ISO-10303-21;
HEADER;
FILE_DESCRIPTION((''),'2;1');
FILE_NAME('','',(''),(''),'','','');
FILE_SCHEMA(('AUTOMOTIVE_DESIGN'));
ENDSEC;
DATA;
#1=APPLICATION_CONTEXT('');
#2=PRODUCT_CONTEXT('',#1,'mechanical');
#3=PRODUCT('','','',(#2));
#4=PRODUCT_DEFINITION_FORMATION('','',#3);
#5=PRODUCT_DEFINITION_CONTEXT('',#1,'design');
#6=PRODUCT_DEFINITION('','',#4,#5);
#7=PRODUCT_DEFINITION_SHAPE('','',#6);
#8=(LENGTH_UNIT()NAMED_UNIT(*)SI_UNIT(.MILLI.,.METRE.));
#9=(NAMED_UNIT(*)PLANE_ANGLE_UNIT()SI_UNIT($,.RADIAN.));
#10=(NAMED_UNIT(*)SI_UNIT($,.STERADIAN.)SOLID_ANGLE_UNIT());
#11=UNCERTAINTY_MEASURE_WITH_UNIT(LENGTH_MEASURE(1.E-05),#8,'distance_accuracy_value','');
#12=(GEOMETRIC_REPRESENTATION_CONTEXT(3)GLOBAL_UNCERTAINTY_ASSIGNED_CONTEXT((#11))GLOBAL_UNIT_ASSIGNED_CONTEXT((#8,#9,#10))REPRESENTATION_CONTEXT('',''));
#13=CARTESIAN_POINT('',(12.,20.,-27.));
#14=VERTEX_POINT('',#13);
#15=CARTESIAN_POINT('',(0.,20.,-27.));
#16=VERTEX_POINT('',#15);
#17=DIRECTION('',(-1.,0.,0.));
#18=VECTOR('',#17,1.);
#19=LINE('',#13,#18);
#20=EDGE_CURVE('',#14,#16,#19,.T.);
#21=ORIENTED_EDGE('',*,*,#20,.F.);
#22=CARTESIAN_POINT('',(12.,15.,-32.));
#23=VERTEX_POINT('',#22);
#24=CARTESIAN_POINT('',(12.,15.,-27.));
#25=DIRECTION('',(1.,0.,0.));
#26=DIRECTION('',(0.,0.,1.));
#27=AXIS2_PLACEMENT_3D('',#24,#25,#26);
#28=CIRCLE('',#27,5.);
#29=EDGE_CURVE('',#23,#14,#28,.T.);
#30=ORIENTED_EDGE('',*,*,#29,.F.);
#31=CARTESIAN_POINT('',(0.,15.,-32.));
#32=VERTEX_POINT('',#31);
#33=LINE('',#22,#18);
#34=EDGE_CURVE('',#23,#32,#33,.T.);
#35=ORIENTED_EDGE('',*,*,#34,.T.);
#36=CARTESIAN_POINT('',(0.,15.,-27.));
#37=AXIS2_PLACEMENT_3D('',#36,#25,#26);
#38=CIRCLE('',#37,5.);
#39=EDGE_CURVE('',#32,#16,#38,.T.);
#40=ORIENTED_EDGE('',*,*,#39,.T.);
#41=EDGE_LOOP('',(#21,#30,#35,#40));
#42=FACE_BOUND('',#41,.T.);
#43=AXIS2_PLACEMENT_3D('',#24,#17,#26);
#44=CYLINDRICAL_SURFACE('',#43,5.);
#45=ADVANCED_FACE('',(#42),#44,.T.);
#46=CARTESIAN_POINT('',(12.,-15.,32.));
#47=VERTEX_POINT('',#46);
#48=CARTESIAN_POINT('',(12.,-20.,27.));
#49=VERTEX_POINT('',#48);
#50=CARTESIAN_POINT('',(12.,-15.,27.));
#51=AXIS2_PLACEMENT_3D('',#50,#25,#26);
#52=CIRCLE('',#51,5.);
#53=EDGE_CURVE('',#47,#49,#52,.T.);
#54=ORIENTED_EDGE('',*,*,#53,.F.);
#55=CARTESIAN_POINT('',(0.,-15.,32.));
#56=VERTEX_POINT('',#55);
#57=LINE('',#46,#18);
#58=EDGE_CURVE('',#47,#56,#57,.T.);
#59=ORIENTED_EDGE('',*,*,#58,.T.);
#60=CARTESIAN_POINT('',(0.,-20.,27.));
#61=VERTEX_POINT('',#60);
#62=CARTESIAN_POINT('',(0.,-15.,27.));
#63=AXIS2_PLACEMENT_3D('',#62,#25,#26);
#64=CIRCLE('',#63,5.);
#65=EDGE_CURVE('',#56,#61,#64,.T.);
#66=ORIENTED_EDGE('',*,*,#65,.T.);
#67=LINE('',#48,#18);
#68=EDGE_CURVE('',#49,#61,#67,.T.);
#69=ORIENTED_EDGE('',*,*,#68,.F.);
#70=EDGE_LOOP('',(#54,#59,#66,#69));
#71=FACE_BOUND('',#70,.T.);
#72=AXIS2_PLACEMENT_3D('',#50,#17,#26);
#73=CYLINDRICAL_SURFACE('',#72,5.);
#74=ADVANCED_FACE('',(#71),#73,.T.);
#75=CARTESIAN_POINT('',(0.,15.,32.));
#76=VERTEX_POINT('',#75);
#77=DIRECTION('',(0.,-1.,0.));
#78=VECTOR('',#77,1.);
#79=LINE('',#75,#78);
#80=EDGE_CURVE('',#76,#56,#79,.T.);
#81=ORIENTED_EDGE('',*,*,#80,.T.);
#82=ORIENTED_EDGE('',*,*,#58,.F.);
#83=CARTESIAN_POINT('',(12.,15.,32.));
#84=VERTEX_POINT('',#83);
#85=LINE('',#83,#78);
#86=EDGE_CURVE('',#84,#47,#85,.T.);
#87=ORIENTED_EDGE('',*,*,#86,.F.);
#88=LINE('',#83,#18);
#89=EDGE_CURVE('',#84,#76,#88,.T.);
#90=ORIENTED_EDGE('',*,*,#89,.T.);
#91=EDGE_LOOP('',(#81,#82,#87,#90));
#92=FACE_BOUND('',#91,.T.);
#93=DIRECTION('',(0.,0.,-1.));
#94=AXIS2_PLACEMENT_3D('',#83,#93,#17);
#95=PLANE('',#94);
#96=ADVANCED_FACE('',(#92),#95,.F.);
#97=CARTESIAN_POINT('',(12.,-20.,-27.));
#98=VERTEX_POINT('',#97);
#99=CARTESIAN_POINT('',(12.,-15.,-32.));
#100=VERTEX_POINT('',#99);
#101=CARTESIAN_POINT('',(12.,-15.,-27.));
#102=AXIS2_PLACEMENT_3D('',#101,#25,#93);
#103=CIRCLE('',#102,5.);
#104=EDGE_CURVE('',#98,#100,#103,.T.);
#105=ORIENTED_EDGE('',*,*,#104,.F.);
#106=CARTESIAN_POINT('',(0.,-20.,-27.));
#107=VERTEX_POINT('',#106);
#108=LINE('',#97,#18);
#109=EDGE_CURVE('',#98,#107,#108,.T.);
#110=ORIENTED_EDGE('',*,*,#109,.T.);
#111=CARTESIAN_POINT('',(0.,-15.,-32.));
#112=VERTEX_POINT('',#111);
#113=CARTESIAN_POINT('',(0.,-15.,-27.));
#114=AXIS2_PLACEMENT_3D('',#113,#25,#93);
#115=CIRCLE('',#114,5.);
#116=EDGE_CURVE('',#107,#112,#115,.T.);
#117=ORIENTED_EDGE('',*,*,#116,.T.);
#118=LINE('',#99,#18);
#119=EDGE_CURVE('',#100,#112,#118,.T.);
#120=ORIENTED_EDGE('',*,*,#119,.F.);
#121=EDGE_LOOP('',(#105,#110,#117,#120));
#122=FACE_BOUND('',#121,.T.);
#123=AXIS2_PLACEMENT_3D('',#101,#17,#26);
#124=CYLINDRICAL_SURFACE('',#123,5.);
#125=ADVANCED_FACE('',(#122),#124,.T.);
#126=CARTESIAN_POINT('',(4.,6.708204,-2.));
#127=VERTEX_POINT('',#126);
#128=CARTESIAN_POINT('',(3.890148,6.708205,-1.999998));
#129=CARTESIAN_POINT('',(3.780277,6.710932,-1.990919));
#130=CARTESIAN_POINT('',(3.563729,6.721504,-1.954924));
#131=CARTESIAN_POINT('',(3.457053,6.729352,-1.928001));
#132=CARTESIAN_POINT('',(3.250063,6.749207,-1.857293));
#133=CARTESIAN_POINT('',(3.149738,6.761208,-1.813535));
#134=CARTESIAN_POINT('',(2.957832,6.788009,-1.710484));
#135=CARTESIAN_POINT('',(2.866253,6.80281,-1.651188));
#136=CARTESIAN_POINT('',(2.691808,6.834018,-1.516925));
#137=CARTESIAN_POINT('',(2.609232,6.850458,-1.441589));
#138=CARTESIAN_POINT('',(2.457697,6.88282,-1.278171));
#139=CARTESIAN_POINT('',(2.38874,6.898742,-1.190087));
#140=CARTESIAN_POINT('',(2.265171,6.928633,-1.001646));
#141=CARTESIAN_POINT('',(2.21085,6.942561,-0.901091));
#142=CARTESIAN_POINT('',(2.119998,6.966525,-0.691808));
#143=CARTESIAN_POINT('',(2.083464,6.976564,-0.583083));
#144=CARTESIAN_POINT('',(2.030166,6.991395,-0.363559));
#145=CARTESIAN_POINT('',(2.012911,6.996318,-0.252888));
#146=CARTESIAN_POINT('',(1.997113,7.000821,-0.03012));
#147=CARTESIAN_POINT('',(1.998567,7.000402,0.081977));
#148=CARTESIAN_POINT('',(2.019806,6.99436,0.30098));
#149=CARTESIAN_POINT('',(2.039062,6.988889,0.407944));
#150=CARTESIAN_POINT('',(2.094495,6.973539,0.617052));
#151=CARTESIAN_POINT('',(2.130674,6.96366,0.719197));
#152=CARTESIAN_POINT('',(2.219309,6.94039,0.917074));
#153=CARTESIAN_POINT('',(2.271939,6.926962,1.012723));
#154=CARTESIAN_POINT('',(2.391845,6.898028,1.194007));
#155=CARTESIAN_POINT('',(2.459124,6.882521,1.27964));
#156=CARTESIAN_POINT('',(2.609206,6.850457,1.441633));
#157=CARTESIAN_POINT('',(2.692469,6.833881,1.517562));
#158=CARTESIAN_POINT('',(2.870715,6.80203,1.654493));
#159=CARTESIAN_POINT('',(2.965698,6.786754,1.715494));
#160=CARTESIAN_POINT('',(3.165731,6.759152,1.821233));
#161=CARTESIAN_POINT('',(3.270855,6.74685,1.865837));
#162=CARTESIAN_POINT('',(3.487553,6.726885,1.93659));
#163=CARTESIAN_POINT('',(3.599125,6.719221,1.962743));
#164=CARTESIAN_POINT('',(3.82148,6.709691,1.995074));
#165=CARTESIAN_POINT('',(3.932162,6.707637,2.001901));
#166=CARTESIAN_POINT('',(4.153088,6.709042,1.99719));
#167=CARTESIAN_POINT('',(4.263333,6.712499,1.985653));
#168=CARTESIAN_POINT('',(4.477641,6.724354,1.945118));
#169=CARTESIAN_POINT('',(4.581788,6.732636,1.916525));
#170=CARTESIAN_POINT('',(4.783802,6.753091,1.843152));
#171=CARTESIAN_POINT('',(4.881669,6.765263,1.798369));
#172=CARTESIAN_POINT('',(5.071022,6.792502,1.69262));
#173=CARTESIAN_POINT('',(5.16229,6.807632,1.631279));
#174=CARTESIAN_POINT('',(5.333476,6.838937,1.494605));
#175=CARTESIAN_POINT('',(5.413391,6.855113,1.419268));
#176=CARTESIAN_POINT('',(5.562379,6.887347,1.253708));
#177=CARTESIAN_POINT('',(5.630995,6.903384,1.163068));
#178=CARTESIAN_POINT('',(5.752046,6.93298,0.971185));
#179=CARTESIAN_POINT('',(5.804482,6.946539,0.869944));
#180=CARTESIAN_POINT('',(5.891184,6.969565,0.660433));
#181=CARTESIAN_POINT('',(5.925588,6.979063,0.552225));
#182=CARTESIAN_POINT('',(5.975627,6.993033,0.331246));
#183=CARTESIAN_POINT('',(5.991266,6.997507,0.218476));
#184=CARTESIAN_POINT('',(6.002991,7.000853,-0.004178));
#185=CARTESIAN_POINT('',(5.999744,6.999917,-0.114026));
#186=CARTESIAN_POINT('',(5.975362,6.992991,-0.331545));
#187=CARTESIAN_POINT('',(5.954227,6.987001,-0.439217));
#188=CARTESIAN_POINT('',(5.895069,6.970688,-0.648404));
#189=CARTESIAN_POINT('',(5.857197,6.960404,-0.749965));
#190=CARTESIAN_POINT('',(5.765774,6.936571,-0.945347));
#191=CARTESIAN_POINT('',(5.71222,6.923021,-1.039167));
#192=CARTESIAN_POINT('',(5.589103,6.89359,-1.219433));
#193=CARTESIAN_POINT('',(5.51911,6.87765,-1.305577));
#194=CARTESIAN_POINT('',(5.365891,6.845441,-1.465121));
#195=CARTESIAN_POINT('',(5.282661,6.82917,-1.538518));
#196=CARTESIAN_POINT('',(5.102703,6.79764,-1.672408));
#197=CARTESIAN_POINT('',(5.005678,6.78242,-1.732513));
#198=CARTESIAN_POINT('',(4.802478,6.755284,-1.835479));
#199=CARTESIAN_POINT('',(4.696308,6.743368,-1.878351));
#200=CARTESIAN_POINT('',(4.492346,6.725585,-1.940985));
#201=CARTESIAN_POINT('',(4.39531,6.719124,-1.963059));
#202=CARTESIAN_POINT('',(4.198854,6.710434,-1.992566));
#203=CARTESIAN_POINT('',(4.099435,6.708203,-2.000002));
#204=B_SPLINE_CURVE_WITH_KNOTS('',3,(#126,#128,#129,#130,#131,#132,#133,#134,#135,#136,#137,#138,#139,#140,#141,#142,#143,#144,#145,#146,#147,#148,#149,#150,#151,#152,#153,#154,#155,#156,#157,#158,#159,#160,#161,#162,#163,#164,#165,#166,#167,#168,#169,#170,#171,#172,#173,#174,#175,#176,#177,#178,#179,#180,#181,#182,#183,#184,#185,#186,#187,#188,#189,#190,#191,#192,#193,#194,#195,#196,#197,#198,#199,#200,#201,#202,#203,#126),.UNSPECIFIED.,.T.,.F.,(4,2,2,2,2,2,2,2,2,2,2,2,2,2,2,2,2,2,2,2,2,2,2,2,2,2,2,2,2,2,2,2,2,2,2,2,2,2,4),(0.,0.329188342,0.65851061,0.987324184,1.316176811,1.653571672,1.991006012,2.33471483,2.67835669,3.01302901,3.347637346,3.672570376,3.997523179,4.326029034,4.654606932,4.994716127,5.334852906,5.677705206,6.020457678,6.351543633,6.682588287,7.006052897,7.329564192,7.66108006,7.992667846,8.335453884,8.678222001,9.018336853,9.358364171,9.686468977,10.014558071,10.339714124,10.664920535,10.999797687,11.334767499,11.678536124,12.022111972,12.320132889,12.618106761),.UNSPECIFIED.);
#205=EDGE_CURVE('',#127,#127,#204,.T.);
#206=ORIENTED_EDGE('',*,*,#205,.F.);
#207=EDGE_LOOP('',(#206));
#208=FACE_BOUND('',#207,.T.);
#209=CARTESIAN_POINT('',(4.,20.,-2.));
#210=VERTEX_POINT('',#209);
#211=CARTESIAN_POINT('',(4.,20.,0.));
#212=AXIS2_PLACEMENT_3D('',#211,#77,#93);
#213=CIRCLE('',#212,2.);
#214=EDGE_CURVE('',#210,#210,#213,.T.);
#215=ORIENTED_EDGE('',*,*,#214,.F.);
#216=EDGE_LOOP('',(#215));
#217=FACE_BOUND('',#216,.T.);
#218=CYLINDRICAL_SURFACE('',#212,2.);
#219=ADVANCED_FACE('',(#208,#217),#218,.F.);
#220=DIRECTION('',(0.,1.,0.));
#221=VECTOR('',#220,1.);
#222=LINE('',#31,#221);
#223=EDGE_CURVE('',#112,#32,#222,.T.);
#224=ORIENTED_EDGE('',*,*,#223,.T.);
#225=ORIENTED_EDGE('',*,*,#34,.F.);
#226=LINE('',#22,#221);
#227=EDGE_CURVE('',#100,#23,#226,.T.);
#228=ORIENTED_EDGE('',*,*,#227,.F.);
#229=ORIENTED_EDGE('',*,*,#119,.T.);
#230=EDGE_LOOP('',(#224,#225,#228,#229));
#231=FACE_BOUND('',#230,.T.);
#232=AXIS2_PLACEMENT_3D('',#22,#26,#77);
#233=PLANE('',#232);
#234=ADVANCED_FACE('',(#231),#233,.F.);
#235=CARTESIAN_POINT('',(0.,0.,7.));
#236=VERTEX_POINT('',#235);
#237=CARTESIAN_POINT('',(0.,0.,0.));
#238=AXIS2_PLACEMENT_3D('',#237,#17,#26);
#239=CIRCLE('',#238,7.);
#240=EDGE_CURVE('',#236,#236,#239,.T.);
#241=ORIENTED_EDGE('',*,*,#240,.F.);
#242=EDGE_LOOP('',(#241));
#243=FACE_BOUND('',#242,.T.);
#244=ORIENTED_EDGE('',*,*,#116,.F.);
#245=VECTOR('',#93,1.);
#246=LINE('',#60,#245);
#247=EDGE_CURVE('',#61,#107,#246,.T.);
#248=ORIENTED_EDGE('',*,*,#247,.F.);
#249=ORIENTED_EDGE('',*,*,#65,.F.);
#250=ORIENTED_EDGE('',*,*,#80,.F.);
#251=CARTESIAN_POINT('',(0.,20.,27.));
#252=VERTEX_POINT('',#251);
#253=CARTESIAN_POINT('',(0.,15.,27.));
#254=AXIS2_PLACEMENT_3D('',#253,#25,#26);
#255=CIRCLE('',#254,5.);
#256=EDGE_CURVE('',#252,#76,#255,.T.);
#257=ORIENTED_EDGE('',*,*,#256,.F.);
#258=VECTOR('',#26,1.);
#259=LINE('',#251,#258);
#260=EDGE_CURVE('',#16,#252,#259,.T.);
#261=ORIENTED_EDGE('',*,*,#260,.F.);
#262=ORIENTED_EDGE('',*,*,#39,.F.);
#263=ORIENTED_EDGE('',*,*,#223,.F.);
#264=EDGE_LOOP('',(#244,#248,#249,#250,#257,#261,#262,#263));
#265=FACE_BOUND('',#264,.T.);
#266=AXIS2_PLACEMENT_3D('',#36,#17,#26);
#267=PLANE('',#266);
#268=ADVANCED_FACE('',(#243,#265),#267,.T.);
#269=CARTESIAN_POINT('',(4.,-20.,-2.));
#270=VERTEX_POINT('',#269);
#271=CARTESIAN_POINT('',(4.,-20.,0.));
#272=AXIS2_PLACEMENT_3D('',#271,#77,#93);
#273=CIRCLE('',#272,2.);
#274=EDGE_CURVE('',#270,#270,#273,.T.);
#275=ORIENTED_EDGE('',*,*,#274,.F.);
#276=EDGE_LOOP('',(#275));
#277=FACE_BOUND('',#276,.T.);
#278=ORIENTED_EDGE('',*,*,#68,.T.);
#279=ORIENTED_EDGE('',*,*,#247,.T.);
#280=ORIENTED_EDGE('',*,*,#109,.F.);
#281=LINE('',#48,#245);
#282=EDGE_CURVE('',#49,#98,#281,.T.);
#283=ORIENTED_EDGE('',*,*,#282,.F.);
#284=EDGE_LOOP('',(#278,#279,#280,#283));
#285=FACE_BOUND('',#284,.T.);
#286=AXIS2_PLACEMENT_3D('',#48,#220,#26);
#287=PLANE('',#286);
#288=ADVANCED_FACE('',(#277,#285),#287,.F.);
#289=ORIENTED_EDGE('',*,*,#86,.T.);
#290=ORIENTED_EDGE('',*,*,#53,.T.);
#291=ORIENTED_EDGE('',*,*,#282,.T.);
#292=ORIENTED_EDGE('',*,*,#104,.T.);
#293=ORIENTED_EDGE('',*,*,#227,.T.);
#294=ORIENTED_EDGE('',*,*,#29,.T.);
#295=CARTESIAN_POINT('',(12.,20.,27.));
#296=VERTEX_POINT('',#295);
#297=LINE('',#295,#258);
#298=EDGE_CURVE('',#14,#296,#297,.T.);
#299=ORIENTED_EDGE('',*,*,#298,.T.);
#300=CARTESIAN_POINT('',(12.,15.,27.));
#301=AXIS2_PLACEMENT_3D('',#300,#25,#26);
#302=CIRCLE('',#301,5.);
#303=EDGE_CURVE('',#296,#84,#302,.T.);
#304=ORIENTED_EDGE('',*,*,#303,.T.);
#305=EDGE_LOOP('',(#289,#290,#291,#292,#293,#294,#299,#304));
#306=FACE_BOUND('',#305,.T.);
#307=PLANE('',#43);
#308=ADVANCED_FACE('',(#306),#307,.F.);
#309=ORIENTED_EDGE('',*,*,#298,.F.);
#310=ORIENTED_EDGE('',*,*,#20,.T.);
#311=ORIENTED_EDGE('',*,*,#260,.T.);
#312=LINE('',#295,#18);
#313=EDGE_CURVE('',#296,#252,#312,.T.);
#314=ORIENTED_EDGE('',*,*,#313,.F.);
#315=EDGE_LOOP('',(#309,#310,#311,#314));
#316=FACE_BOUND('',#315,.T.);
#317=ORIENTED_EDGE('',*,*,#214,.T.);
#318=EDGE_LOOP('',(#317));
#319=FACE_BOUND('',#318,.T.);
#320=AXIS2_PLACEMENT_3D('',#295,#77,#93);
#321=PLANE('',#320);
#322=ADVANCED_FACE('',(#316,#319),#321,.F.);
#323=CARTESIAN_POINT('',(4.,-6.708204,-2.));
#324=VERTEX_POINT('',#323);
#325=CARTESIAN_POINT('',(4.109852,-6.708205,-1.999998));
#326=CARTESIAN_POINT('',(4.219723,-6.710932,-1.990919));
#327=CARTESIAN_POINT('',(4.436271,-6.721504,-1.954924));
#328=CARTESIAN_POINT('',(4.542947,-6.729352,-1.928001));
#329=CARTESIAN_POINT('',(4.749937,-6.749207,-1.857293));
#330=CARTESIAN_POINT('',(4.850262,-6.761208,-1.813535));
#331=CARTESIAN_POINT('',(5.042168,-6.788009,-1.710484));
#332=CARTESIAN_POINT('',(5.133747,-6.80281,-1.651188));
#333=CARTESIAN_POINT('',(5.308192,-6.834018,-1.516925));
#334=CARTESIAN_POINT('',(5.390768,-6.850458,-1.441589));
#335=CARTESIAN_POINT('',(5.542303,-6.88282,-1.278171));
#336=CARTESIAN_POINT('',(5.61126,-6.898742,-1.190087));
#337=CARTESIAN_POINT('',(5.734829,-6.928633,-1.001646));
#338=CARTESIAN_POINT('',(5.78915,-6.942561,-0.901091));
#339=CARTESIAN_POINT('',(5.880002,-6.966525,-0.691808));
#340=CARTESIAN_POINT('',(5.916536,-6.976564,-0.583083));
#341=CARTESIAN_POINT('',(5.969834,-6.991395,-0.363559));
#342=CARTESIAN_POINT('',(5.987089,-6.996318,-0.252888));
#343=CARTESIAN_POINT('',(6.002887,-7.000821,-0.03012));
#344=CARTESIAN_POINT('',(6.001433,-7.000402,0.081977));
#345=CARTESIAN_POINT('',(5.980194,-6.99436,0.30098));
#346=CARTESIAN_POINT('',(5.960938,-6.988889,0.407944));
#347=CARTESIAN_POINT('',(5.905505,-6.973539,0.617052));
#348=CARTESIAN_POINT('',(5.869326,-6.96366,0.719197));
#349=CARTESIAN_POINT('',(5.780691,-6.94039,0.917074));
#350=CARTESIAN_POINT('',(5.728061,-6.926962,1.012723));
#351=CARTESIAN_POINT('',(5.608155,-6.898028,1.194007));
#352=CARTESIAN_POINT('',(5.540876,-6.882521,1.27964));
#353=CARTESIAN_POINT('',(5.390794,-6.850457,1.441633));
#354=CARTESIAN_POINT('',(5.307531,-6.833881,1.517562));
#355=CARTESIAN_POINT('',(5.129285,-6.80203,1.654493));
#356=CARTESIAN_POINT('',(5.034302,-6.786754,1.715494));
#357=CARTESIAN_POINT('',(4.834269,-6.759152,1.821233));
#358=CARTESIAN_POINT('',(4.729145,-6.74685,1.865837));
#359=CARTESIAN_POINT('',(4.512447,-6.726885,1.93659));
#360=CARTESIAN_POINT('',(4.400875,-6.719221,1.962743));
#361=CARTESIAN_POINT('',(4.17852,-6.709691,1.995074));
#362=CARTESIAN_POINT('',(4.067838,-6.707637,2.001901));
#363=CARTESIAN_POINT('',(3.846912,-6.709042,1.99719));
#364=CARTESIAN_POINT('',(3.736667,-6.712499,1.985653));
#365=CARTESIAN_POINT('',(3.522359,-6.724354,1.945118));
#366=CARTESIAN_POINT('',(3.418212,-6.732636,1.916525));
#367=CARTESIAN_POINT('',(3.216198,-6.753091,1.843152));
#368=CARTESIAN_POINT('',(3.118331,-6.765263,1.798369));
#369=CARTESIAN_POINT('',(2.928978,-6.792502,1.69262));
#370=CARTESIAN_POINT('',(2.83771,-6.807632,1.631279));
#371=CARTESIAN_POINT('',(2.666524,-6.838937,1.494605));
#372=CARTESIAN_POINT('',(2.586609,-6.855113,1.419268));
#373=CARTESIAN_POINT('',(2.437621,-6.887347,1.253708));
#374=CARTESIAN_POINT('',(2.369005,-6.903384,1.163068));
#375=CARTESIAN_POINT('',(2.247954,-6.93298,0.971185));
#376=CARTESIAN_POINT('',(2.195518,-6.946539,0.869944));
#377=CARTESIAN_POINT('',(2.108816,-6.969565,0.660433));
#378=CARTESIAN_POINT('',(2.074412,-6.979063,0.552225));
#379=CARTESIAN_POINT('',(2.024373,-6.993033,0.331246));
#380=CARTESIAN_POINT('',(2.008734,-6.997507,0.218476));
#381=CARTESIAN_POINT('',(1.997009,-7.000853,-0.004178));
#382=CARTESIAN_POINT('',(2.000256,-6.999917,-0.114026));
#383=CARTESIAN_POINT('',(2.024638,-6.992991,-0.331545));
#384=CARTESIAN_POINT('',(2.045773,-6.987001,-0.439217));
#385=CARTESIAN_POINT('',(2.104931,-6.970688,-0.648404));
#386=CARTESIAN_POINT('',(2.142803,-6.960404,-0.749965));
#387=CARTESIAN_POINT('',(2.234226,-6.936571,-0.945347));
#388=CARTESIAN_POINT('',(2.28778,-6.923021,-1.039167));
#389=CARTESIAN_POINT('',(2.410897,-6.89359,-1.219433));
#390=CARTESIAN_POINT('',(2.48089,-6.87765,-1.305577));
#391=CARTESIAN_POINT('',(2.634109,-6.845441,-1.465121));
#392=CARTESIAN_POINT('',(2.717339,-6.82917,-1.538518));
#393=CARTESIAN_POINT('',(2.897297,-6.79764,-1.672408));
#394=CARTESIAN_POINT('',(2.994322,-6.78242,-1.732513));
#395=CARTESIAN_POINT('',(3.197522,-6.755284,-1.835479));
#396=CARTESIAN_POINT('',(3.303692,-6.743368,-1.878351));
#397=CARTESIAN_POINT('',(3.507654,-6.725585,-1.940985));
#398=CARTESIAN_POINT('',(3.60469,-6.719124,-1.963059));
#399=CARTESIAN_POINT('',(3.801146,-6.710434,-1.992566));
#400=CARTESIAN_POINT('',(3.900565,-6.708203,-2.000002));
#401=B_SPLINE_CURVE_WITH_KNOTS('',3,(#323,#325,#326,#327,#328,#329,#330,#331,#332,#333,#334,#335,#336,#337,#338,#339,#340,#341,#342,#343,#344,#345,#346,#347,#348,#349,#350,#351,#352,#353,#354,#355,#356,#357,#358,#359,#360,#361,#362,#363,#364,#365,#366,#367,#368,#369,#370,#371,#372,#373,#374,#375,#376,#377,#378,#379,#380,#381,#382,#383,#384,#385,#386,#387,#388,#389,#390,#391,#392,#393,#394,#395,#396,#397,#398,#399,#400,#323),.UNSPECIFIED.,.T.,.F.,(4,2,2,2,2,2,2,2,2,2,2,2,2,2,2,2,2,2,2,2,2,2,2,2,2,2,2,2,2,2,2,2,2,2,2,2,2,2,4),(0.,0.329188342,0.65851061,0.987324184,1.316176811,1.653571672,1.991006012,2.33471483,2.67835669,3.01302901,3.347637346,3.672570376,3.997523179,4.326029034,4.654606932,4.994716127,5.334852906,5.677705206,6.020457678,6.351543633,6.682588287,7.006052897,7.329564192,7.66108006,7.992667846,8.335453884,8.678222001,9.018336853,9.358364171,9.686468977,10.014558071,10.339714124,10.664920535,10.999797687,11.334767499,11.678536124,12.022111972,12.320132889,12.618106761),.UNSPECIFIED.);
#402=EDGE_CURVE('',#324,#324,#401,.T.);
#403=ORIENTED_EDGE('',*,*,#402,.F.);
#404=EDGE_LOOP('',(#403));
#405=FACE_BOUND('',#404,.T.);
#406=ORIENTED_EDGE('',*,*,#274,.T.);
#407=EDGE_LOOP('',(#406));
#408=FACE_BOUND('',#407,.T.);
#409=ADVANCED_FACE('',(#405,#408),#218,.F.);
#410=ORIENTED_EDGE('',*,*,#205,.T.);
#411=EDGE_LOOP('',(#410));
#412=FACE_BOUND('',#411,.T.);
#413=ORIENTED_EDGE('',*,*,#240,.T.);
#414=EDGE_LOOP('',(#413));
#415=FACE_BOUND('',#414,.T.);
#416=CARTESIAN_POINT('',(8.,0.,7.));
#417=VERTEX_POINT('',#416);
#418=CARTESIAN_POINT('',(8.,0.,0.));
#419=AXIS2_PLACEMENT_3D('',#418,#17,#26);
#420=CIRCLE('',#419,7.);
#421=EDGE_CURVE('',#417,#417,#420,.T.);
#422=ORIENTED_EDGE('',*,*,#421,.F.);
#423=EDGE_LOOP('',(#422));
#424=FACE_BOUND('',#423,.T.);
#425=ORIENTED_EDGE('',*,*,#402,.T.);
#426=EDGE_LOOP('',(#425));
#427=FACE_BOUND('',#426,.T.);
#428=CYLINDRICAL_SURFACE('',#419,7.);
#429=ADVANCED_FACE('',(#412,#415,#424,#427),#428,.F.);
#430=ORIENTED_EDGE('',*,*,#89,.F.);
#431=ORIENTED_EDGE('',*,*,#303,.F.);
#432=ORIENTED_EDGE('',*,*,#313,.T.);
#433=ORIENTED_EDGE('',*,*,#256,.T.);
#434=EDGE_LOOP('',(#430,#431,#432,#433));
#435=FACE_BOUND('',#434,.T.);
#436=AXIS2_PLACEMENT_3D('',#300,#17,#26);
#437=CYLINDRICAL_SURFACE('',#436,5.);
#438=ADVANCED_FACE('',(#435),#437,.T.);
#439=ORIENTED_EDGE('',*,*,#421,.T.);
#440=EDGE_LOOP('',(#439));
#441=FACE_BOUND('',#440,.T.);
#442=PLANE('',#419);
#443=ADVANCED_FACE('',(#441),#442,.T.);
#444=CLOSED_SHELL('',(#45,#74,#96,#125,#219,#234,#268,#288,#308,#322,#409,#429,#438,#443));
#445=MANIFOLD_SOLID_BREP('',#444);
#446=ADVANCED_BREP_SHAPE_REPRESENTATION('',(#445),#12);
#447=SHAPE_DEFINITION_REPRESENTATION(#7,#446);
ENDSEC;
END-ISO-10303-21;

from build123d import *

# Parameters (mm, degrees)
EXTRUDE_1_DEPTH     = 12
SKETCH_2_R          = 7
CUT_EXTRUDE_1_DEPTH = 8
SKETCH_5_R          = 2
CUT_EXTRUDE_2_DEPTH = 41


with BuildPart() as part:
    # 草图1 → 凸台-拉伸1 (new body)
    with BuildSketch(Plane(origin=(0, 0, 0), x_dir=(0, 0, -1), z_dir=(1, 0, 0))):
        with BuildLine():
            Line((-27, 20), (27, 20))
            ThreePointArc((27, 20), (30.535533906, 18.535533906), (32, 15))
            Line((32, 15), (32, -15))
            ThreePointArc((32, -15), (30.535533906, -18.535533906), (27, -20))
            Line((27, -20), (-27, -20))
            ThreePointArc((-27, -20), (-30.535533906, -18.535533906), (-32, -15))
            Line((-32, -15), (-32, 15))
            ThreePointArc((-32, 15), (-30.535533906, 18.535533906), (-27, 20))
        make_face()
    extrude(amount=EXTRUDE_1_DEPTH)

    # 草图2 → 切除-拉伸1 (cut)
    with BuildSketch(Plane.ZY):
        Circle(SKETCH_2_R)
    extrude(amount=-CUT_EXTRUDE_1_DEPTH, mode=Mode.SUBTRACT)

    # 草图5 → 切除-拉伸2 (cut, through all)
    with BuildSketch(Plane.XZ.offset(20)):
        with Locations((4, 0)):
            Circle(SKETCH_5_R)
    extrude(amount=-CUT_EXTRUDE_2_DEPTH, mode=Mode.SUBTRACT)


solid = part.part
